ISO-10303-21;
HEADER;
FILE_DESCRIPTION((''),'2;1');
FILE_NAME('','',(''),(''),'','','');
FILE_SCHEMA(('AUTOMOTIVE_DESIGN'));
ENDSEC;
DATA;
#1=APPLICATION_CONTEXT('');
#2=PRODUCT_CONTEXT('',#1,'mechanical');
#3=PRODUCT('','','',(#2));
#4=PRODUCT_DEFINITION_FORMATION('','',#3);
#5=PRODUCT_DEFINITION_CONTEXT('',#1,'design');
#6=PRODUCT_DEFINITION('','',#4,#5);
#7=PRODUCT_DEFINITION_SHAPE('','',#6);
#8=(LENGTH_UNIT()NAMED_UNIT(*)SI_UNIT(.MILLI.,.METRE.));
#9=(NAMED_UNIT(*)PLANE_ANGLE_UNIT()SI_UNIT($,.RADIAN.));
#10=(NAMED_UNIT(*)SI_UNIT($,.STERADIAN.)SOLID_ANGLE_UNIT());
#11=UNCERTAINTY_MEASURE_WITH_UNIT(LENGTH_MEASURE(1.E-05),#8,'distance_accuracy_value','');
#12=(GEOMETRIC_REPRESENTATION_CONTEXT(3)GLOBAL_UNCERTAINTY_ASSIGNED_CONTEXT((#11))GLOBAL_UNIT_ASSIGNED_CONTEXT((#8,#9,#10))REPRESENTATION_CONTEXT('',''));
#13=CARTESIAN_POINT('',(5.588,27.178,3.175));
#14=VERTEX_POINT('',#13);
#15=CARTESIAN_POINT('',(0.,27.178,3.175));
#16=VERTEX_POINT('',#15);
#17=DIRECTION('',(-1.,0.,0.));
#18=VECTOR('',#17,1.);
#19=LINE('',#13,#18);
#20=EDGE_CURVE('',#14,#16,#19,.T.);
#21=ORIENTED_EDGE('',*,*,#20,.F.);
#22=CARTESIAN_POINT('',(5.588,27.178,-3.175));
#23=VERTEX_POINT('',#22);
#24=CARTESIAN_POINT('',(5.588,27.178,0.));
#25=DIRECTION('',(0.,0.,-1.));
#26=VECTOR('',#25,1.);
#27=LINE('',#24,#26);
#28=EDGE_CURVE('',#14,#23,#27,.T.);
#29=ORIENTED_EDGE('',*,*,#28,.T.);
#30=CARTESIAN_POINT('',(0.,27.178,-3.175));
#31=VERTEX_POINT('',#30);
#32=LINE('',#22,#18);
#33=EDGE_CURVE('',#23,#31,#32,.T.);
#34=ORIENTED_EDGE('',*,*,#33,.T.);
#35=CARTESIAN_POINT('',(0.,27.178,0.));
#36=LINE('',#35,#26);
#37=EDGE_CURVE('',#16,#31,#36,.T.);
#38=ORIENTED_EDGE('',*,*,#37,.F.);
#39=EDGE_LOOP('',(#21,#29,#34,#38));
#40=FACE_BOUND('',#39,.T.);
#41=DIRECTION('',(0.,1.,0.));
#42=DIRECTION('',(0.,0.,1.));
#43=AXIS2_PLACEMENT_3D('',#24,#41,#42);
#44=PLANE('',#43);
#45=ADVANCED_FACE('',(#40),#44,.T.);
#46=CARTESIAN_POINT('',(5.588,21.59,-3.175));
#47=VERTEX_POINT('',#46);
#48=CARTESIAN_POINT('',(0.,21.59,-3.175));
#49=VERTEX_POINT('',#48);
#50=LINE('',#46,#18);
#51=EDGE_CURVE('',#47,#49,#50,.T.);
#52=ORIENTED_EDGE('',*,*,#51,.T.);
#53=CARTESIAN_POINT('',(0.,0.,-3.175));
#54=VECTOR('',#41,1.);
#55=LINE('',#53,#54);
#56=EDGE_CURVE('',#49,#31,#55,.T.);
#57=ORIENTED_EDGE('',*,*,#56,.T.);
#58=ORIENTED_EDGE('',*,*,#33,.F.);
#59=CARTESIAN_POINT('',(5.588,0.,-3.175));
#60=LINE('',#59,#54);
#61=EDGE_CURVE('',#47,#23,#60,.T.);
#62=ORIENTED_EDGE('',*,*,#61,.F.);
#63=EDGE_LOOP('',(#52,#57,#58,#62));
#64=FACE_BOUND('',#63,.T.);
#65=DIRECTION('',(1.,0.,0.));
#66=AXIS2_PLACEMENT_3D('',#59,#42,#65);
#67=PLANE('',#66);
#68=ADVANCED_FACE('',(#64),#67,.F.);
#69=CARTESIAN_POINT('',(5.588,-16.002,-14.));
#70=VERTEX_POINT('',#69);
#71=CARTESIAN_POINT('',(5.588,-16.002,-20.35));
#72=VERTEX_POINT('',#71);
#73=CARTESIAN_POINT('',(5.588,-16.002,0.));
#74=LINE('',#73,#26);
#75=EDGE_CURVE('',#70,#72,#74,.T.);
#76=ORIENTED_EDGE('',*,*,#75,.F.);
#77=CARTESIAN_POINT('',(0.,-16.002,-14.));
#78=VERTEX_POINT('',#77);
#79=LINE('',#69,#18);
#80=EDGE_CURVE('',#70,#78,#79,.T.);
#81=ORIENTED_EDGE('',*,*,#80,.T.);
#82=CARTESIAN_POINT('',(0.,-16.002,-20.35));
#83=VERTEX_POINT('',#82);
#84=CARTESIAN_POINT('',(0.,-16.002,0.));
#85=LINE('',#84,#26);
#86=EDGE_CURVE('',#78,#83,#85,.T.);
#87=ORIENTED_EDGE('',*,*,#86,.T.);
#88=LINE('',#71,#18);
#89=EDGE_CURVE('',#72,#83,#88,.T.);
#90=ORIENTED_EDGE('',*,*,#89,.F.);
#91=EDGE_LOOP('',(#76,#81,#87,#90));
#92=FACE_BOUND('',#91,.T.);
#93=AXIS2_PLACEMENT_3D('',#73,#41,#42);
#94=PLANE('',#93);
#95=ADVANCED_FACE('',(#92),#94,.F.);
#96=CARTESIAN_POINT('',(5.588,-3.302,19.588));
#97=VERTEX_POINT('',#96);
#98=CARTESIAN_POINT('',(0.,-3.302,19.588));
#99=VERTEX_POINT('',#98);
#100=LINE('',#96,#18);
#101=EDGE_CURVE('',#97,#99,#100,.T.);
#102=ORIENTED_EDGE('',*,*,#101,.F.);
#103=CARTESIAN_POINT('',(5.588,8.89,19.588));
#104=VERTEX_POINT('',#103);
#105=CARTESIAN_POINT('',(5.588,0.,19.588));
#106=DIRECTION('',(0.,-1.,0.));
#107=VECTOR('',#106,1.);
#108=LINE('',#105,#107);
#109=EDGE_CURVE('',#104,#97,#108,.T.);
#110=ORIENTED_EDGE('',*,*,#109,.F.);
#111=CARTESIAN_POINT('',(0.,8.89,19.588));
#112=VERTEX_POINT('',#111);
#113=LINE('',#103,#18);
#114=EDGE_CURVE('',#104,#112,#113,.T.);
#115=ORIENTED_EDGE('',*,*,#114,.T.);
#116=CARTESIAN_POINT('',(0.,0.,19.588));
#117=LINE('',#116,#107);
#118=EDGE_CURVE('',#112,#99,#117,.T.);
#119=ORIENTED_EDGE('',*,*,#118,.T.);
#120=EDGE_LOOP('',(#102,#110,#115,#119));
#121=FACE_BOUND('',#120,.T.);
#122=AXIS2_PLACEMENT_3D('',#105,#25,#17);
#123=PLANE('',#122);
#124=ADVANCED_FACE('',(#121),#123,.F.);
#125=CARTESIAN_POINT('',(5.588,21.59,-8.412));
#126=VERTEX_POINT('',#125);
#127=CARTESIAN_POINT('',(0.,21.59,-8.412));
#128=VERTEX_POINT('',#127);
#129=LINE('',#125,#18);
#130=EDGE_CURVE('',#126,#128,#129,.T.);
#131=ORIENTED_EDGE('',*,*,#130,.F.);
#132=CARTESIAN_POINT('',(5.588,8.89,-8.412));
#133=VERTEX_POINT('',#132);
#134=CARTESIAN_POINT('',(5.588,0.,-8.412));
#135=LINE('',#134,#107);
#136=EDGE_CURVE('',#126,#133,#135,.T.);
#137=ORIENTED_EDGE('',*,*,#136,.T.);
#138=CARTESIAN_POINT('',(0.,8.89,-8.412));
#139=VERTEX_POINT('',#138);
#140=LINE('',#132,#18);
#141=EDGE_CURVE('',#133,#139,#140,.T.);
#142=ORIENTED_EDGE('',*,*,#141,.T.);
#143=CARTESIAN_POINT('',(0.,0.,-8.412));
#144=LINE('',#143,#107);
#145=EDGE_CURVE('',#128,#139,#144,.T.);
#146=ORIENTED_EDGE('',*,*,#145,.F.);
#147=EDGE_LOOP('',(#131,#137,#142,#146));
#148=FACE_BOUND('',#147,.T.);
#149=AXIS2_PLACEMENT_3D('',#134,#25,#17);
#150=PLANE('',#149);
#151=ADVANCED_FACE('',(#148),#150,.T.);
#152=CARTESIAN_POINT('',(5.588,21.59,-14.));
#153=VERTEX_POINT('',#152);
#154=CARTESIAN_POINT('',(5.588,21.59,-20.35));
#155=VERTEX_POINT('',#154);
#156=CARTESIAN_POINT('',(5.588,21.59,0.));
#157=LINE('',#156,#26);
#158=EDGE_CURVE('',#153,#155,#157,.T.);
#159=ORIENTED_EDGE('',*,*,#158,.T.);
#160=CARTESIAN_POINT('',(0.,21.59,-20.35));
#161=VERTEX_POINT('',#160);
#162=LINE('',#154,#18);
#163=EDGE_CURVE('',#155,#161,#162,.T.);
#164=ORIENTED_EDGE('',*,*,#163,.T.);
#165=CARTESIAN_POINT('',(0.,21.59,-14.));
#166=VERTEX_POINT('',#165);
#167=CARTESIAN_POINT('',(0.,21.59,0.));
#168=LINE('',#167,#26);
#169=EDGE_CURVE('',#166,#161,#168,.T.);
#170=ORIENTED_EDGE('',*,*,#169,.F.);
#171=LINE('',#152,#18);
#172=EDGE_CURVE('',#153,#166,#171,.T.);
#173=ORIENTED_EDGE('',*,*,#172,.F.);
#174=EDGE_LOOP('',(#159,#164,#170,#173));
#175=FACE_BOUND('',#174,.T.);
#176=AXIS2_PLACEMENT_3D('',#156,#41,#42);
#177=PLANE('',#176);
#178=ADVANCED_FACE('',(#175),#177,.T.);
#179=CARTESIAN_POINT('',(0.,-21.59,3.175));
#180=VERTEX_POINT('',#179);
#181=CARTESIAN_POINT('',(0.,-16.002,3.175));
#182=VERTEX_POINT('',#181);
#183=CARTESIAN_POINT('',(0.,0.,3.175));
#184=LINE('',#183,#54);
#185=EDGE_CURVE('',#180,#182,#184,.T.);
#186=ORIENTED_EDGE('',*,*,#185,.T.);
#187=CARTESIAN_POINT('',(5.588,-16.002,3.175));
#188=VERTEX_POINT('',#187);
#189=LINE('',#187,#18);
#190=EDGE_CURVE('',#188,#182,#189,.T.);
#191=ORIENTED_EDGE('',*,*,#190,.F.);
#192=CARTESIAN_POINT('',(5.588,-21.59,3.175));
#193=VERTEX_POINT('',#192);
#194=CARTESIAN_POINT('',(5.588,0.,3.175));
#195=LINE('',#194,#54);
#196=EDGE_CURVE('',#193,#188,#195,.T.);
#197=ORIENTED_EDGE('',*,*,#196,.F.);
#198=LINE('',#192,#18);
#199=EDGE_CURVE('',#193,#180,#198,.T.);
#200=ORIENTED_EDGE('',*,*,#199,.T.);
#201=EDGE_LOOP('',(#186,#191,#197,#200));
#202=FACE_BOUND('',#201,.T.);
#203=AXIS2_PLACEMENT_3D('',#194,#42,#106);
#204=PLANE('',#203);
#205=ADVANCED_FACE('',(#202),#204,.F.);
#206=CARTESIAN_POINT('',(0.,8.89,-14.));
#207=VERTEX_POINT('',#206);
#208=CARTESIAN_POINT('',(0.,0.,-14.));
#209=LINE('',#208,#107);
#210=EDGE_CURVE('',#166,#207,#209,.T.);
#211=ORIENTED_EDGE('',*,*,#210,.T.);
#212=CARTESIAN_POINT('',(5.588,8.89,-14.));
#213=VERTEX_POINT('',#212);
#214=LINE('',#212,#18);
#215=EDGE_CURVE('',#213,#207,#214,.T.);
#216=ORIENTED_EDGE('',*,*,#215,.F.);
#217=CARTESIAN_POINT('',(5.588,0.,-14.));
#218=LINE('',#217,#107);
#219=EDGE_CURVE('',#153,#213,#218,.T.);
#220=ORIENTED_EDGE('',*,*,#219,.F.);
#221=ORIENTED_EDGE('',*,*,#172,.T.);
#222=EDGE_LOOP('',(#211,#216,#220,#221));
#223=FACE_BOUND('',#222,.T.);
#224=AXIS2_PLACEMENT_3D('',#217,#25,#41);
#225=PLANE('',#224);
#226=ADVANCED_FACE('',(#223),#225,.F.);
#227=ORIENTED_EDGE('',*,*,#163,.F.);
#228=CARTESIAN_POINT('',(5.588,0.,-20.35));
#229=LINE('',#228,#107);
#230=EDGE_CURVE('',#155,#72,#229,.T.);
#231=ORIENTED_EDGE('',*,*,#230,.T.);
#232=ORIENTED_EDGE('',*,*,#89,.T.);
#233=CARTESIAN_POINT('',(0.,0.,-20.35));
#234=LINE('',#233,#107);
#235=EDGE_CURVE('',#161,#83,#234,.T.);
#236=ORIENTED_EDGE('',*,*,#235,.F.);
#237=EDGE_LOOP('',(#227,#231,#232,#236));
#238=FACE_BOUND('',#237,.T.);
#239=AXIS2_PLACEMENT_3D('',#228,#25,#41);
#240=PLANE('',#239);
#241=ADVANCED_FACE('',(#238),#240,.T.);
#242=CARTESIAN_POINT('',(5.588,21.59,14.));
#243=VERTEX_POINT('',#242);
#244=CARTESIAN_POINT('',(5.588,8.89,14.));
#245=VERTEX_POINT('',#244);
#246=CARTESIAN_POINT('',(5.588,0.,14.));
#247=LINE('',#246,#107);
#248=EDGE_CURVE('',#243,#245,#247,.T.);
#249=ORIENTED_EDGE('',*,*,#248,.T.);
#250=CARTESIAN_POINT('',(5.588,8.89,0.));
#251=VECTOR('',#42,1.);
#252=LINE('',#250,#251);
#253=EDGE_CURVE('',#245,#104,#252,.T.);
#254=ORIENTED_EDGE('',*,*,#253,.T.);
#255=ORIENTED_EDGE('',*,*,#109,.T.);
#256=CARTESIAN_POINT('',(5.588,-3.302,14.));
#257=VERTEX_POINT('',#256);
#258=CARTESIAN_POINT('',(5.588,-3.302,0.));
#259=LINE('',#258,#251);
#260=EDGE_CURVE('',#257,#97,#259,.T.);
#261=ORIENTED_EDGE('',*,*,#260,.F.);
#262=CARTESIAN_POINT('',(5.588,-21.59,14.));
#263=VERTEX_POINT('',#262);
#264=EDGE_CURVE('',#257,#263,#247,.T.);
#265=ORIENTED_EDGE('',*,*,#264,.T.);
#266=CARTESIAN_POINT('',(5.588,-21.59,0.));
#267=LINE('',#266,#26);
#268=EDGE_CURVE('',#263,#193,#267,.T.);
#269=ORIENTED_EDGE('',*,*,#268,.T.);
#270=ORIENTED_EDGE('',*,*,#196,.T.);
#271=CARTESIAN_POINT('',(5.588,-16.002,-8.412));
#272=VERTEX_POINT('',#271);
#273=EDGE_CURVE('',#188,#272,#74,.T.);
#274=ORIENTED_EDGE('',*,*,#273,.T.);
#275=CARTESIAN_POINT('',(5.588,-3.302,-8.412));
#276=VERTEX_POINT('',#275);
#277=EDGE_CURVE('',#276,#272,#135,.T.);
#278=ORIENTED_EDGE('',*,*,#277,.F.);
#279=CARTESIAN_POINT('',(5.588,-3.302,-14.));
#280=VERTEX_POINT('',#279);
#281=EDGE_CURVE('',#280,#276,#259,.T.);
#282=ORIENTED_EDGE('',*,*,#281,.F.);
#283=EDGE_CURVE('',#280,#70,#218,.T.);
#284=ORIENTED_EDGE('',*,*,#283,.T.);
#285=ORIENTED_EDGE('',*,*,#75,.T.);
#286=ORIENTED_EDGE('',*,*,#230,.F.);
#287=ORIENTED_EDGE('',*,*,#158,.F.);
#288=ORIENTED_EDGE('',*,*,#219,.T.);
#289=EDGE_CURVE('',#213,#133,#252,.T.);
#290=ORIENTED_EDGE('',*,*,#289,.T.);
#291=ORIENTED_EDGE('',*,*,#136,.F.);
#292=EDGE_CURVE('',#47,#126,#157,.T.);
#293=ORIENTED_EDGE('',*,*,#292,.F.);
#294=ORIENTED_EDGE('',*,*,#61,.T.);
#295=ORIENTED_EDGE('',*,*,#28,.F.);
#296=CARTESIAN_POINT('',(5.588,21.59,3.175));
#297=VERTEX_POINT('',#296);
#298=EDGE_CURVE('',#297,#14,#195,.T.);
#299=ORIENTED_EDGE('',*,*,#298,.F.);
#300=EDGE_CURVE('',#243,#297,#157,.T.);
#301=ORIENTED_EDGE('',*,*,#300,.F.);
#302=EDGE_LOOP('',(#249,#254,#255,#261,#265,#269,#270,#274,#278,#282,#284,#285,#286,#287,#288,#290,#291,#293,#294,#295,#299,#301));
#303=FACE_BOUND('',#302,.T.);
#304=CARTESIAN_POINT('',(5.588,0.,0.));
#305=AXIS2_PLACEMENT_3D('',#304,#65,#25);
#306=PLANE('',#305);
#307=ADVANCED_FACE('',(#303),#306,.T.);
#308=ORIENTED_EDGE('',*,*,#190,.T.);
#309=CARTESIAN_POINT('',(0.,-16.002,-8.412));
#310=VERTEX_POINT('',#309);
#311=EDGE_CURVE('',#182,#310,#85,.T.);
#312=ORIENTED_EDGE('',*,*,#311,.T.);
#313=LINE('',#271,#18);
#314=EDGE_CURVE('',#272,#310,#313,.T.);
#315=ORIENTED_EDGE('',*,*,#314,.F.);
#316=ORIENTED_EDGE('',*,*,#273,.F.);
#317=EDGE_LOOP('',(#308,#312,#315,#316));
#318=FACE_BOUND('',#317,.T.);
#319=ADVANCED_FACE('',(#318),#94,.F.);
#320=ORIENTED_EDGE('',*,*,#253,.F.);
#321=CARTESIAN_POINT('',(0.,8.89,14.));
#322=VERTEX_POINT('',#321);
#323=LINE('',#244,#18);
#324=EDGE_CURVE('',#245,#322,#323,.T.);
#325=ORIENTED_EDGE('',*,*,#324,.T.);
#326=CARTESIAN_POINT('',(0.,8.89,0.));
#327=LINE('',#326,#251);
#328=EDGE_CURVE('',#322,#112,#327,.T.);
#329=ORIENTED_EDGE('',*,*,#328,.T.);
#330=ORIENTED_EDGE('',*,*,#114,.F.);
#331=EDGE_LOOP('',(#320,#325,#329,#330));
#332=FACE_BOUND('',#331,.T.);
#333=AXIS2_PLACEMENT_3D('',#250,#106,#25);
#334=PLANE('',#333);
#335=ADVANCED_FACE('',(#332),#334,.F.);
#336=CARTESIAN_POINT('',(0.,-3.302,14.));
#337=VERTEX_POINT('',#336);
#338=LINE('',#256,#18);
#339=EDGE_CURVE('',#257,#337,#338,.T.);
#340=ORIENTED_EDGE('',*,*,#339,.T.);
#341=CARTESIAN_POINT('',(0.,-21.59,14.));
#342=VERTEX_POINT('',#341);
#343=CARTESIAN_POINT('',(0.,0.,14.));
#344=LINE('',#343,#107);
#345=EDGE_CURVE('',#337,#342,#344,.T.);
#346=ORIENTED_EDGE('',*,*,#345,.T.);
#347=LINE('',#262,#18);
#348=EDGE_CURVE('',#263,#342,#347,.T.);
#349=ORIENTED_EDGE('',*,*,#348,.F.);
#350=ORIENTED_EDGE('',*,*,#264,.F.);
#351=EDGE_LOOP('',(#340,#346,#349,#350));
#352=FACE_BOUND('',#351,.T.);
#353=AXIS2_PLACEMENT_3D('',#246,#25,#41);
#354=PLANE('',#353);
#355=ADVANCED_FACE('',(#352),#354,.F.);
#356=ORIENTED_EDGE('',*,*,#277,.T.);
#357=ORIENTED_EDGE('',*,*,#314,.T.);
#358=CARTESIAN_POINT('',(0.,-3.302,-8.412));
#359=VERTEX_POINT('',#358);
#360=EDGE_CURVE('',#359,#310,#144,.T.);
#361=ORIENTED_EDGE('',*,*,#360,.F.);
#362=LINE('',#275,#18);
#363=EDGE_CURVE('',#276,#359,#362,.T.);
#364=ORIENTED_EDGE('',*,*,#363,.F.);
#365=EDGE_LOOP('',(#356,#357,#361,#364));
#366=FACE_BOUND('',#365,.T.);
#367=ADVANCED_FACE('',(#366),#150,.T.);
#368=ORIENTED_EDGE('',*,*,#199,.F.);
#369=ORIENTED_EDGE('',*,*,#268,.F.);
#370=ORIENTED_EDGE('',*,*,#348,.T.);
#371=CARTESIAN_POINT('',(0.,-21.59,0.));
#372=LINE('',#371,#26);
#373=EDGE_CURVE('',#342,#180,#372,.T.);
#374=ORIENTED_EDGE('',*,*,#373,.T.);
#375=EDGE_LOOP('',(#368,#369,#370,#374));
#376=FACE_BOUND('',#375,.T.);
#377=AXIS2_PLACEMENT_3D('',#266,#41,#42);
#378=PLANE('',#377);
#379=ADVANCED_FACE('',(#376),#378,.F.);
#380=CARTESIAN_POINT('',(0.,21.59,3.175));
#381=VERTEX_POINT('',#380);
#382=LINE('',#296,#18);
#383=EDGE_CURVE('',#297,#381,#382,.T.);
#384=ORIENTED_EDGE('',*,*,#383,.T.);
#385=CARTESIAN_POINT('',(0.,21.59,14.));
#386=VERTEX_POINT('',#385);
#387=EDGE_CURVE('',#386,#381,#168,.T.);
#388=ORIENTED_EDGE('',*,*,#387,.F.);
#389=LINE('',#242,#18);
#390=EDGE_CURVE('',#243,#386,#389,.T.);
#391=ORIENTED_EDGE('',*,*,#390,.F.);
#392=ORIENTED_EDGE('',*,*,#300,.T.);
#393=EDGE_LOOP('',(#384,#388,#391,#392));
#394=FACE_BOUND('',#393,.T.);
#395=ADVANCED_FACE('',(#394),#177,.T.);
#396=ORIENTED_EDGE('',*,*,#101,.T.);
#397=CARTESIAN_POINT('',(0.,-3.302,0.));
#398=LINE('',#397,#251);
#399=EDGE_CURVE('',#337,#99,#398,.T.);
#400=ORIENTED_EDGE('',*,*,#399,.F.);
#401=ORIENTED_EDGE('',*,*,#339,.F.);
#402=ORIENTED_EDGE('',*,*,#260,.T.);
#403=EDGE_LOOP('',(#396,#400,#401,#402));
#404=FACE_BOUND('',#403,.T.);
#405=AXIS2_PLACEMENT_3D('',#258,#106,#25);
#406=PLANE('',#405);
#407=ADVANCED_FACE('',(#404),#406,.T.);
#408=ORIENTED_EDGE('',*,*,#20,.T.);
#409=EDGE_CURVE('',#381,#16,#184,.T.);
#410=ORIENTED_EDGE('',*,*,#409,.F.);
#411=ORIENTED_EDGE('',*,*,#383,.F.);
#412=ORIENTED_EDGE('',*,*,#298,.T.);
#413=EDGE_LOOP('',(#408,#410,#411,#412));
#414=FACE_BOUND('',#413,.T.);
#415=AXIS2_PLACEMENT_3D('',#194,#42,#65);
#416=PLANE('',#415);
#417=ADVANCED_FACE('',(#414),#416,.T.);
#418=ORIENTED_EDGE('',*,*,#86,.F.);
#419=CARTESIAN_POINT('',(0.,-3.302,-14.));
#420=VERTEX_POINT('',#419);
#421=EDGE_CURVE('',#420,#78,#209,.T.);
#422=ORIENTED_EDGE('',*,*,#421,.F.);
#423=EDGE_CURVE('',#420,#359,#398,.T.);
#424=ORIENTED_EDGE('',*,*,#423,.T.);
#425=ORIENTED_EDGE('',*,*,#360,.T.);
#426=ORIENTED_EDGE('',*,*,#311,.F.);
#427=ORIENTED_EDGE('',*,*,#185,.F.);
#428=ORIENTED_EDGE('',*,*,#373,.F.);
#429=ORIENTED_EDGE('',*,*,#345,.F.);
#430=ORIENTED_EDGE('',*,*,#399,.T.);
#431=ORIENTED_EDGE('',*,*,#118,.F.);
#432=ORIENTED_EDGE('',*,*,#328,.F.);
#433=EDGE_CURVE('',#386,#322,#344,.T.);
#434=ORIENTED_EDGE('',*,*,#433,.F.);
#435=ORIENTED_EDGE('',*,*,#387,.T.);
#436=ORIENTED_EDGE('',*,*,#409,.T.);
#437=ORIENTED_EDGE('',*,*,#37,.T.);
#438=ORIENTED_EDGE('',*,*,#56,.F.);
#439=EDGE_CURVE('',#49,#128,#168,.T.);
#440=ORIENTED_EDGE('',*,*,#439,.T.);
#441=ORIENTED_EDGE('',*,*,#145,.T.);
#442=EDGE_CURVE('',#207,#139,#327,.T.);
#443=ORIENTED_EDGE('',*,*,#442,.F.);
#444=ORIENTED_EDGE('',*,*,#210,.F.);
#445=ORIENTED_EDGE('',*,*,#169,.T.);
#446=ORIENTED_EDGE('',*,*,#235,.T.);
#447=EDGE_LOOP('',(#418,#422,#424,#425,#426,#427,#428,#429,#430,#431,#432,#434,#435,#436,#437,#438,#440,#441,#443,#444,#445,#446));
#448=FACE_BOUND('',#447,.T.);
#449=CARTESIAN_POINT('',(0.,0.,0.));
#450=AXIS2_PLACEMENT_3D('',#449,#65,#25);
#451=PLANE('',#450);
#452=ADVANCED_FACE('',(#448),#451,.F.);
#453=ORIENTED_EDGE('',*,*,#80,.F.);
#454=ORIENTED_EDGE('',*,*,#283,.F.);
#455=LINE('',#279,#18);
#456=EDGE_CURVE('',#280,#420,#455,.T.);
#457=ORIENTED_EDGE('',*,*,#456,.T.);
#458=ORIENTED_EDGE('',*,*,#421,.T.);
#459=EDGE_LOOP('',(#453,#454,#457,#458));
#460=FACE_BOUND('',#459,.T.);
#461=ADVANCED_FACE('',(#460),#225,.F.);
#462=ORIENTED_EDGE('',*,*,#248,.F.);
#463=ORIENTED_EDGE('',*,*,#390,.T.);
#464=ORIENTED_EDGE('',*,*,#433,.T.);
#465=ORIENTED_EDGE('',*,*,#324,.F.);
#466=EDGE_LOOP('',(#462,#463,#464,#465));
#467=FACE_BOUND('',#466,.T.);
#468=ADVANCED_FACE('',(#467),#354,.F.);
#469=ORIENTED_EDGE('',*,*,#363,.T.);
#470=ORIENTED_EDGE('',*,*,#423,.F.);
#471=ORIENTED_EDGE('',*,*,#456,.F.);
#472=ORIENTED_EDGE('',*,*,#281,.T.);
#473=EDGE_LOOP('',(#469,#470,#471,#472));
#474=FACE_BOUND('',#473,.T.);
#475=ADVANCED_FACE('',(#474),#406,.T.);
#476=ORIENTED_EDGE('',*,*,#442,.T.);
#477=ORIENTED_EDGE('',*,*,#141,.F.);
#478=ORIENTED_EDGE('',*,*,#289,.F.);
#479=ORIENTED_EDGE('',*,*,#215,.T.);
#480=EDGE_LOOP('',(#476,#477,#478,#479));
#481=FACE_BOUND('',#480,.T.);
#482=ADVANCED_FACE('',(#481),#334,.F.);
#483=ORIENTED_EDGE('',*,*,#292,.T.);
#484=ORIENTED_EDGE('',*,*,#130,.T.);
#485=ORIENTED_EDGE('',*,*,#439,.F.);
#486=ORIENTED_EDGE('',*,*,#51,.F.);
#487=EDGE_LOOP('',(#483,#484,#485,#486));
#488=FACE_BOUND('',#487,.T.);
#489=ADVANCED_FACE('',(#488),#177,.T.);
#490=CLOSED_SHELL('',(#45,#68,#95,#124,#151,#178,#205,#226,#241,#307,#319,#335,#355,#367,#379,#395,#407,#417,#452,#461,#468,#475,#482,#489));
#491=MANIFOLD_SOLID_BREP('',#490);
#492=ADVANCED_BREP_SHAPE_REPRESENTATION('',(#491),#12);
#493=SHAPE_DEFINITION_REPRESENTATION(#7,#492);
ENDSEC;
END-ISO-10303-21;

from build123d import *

# Parameters (mm, degrees)
BOSS_EXTRUDE1_DEPTH = 5.588


with BuildPart() as part:
    # Sketch1 → Boss-Extrude1 (new body)
    with BuildSketch(Plane(origin=(0, 0, 0), x_dir=(0, 0, -1), z_dir=(1, 0, 0))):
        Polygon((-3.175, 21.59), (-14, 21.59), (-14, 8.89), (-19.588, 8.89), (-19.588, -3.302), (-14, -3.302), (-14, -21.59), (-3.175, -21.59), (-3.175, -16.002), (8.412, -16.002), (8.412, -3.302), (14, -3.302), (14, -16.002), (20.35, -16.002), (20.35, 21.59), (14, 21.59), (14, 8.89), (8.412, 8.89), (8.412, 21.59), (3.175, 21.59), (3.175, 27.178), (-3.175, 27.178), align=None)
    extrude(amount=BOSS_EXTRUDE1_DEPTH)


solid = part.part
